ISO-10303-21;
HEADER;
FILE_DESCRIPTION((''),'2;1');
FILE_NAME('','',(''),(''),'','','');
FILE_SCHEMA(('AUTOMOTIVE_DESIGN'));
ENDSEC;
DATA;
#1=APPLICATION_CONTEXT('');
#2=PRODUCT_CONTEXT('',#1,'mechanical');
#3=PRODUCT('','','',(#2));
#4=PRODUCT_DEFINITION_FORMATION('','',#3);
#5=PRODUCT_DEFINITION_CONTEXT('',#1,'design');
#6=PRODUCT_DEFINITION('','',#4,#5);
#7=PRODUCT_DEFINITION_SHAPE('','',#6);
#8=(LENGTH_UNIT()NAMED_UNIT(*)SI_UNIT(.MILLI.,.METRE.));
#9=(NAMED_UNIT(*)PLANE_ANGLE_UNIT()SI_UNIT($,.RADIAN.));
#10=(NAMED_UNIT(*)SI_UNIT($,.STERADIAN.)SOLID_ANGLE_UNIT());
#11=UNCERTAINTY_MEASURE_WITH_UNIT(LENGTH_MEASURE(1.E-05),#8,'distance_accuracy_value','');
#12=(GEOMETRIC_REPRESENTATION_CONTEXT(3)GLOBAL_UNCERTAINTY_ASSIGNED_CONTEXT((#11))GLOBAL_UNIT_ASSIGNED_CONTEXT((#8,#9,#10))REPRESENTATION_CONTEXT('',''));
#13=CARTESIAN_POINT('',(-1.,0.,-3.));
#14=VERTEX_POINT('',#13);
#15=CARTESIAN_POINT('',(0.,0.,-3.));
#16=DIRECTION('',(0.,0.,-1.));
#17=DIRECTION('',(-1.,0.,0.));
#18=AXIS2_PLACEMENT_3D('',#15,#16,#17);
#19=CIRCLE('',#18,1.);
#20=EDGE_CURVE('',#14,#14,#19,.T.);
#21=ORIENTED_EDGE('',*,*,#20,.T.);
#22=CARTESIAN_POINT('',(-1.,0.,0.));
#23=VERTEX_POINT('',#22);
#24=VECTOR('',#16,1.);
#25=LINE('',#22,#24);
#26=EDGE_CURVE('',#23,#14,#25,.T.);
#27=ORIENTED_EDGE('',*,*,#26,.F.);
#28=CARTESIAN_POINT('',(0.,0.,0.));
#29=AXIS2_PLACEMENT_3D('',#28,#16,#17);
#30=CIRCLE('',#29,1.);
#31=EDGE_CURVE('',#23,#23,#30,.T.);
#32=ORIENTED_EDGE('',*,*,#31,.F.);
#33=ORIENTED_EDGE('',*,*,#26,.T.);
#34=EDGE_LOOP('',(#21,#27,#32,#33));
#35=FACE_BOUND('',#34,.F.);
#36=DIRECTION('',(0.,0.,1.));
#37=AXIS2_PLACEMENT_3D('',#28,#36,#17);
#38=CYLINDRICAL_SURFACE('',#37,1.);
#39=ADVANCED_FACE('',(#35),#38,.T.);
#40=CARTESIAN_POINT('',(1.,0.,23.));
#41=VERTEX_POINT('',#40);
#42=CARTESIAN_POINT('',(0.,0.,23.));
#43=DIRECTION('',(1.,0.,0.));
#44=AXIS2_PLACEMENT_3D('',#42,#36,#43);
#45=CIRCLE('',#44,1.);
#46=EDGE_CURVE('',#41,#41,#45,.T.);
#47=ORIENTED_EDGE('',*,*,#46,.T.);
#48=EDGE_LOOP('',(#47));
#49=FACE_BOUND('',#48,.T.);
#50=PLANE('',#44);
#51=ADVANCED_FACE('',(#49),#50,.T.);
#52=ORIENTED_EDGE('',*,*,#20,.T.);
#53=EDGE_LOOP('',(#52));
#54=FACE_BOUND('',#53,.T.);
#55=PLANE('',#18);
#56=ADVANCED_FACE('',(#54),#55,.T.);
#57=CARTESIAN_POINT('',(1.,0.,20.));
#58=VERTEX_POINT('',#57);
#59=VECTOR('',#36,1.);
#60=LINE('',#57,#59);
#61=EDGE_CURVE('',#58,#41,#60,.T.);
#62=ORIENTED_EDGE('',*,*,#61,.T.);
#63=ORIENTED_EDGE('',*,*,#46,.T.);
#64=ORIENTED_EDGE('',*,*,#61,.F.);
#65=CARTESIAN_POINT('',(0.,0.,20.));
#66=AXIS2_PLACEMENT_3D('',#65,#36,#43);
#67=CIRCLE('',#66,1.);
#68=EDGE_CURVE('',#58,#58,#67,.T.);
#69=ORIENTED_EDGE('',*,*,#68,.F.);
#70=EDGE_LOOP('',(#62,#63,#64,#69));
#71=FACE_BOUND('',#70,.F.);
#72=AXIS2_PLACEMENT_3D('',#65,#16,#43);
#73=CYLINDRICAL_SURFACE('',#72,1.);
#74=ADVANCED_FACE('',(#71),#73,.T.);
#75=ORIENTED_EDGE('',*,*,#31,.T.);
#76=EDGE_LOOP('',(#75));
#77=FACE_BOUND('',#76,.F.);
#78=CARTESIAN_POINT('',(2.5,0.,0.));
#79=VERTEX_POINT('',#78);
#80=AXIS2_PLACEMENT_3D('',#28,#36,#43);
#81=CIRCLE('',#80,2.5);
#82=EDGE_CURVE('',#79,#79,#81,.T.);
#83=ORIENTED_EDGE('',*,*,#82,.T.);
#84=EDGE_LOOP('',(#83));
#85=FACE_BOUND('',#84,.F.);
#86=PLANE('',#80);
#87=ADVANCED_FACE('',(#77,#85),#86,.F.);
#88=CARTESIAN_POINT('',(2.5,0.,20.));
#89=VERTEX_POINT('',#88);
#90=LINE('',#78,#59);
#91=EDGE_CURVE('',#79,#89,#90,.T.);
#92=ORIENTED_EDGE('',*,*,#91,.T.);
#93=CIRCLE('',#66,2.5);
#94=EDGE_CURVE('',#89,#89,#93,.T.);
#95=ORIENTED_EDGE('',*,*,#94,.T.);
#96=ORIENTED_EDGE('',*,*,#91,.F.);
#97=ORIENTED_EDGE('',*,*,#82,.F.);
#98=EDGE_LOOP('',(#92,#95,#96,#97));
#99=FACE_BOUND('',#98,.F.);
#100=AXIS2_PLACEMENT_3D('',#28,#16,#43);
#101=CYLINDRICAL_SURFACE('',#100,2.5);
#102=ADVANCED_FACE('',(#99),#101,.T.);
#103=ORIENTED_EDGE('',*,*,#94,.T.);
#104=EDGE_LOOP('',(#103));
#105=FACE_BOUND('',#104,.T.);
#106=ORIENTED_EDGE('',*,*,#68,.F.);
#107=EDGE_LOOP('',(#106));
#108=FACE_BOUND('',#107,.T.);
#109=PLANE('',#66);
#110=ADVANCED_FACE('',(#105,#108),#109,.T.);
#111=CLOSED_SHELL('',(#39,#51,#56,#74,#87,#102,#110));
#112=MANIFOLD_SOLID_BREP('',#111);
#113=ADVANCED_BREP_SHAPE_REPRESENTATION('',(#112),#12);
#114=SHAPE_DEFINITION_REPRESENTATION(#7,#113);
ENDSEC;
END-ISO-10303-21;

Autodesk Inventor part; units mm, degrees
ref_plane "YZ Plane" through (0, 0, 0) normal (1, 0, 0) x (0, 1, 0)
ref_plane "XZ Plane" through (0, 0, 0) normal (0, 1, 0) x (-1, 0, 0)
ref_plane "XY Plane" through (0, 0, 0) normal (0, 0, 1) x (1, 0, 0)
sketch "Sketch1" plane through (0, 0, 0) normal (0, 0, 1) x (1, 0, 0)
  circle A0 centre (0, 0) radius 2.5
  dimension "d0" = 5
extrude "Extrusion1" add sketch "Sketch1" along normal blind 20
sketch "Sketch2" plane through (0, 0, 20) normal (0, 0, 1) x (1, 0, 0)
  circle A0 centre (0, 0) radius 2.5 projected
  circle A1 centre (0, 0) radius 1
  dimension "d3" = 2
extrude "Extrusion2" add sketch "Sketch2" along normal blind 3 contours A1
sketch "Sketch3" plane through (0, 0, 0) normal (0, 0, -1) x (-1, 0, 0)
  circle A0 centre (0, 0) radius 1
  dimension "d6" = 2
extrude "Extrusion3" add sketch "Sketch3" along normal blind 3
properties part number "Bone-2cm"
